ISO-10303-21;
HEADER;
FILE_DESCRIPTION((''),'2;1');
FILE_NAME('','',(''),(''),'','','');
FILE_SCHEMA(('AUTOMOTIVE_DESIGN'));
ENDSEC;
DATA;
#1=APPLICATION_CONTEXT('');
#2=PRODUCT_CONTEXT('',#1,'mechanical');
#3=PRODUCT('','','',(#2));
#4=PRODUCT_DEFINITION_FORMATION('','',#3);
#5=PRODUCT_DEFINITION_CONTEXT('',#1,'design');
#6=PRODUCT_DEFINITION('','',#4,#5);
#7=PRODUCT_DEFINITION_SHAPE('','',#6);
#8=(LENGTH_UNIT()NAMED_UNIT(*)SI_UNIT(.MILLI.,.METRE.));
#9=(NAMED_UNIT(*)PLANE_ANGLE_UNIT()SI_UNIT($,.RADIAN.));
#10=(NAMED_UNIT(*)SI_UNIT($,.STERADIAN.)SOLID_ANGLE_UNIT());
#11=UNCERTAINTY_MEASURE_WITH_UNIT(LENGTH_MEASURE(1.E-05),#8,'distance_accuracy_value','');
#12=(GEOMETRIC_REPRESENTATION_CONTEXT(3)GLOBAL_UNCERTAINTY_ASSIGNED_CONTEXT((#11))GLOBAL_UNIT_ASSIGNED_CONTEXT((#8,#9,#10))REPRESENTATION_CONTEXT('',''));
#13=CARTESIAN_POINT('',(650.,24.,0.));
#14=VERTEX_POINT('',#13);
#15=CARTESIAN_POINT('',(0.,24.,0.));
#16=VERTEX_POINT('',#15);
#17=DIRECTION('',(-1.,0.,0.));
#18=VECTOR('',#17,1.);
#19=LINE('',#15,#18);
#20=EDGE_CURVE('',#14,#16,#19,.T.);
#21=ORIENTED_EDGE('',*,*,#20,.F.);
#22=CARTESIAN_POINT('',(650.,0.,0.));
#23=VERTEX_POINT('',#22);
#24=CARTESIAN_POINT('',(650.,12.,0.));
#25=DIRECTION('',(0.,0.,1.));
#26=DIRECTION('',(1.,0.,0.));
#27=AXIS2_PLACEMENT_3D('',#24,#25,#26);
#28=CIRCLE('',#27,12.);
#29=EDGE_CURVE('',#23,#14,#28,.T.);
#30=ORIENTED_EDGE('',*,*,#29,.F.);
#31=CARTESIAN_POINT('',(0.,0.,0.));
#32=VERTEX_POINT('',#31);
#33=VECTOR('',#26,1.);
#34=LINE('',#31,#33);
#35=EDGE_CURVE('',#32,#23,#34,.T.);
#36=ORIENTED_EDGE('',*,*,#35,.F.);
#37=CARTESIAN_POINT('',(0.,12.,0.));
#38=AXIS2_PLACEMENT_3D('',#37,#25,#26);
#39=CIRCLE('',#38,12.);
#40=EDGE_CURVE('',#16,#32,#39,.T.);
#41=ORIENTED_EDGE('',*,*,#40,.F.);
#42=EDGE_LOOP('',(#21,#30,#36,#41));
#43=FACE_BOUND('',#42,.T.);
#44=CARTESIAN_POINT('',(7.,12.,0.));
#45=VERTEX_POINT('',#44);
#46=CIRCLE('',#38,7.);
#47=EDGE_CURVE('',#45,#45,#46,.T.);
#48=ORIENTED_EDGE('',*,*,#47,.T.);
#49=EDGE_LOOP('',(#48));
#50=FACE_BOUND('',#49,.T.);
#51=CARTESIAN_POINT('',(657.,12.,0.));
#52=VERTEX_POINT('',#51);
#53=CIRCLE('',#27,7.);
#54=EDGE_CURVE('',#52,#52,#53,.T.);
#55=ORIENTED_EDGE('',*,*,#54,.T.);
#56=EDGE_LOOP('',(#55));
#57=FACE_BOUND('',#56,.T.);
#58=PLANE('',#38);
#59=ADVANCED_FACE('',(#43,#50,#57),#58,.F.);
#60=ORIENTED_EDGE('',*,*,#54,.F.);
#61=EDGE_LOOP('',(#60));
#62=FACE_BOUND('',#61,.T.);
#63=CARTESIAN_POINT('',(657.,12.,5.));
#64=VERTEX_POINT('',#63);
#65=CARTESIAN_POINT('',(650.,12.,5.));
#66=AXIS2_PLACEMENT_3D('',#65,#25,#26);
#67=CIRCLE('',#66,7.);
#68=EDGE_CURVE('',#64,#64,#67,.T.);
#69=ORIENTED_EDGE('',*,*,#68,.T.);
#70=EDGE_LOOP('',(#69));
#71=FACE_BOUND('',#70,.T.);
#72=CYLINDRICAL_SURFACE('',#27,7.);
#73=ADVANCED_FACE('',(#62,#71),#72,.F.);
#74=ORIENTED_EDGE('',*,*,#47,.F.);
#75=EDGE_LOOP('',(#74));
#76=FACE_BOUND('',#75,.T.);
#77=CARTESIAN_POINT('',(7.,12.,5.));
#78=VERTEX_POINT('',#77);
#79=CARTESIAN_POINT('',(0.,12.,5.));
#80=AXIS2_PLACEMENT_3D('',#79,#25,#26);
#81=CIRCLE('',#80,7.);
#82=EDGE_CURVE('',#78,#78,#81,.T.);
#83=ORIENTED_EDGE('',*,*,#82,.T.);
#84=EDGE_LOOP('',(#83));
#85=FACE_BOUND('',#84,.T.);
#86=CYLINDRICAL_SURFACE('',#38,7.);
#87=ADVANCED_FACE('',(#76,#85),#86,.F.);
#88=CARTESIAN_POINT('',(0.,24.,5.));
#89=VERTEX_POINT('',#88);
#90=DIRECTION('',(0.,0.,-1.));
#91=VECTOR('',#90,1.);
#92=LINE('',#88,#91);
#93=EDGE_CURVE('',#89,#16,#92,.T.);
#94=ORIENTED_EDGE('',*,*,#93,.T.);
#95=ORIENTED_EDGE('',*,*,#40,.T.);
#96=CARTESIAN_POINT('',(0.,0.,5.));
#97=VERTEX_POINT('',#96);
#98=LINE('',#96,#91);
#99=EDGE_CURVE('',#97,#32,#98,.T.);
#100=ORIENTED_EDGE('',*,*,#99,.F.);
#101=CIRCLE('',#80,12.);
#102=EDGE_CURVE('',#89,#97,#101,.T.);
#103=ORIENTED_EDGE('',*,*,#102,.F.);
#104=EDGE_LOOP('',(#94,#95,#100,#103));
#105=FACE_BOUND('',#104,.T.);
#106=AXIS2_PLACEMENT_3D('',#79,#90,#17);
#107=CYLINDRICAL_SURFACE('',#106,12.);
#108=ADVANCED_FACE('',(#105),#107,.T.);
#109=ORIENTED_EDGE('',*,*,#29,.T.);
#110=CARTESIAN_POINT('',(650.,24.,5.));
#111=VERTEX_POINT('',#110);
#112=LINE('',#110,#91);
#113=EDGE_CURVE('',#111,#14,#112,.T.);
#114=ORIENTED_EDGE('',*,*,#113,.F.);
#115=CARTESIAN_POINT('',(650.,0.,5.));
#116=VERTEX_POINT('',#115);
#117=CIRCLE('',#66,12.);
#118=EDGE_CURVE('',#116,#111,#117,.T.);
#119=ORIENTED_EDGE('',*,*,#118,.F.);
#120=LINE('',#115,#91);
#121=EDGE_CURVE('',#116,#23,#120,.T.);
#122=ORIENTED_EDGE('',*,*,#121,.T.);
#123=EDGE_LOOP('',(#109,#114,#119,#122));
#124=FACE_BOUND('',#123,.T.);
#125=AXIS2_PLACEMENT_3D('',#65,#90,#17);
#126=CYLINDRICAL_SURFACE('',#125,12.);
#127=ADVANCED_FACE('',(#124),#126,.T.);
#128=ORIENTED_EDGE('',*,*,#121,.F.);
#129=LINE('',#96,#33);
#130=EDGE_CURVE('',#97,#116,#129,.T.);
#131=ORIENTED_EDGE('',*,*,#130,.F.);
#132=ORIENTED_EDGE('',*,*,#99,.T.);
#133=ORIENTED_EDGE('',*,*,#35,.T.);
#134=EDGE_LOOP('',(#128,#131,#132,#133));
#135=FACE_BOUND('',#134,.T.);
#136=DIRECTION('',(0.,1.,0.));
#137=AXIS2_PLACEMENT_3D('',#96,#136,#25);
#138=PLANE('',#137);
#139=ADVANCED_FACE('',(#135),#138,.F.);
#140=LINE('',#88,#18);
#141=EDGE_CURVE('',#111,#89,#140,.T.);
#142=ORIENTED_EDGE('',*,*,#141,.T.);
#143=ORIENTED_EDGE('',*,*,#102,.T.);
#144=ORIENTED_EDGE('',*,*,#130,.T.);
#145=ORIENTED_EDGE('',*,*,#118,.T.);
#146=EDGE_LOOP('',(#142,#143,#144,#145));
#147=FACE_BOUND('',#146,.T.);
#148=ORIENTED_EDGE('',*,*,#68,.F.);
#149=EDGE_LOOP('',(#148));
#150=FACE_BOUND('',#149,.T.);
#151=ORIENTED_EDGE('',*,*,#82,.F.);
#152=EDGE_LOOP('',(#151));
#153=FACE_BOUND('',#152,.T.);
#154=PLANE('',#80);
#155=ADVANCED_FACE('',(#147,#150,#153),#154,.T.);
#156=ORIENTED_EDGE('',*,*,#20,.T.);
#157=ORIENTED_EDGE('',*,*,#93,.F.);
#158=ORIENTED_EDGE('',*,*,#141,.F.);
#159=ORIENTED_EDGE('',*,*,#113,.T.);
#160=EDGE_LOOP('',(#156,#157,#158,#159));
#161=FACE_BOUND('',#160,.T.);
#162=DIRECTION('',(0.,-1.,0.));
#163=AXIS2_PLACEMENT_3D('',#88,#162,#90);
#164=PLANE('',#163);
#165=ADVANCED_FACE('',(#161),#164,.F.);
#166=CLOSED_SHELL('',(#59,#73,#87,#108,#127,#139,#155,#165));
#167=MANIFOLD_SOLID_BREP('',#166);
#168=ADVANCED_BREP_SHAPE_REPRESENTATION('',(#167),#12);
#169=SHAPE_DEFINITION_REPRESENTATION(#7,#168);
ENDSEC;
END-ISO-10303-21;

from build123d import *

# Parameters (mm, degrees)
DODANIE_WYCI_GNI_CIE1_DEPTH = 5
SZKIC2_R                    = 7
WYTNIJ_WYCI_GNI_CIE1_DEPTH  = 5


with BuildPart() as part:
    # Szkic1 → Dodanie-wyciągnięcie1 (new body)
    with BuildSketch(Plane.XY):
        with BuildLine():
            Line((0, 0), (650, 0))
            ThreePointArc((650, 0), (662, 12), (650, 24))
            Line((650, 24), (0, 24))
            ThreePointArc((0, 24), (-12, 12), (0, 0))
        make_face()
    extrude(amount=DODANIE_WYCI_GNI_CIE1_DEPTH)

    # Szkic2 → Wytnij-wyciągnięcie1 (cut)
    with BuildSketch(Plane.XY.offset(5)):
        with Locations((0, 12)):
            Circle(SZKIC2_R)
        with Locations((650, 12)):
            Circle(SZKIC2_R)
    extrude(amount=-WYTNIJ_WYCI_GNI_CIE1_DEPTH, mode=Mode.SUBTRACT)


solid = part.part
